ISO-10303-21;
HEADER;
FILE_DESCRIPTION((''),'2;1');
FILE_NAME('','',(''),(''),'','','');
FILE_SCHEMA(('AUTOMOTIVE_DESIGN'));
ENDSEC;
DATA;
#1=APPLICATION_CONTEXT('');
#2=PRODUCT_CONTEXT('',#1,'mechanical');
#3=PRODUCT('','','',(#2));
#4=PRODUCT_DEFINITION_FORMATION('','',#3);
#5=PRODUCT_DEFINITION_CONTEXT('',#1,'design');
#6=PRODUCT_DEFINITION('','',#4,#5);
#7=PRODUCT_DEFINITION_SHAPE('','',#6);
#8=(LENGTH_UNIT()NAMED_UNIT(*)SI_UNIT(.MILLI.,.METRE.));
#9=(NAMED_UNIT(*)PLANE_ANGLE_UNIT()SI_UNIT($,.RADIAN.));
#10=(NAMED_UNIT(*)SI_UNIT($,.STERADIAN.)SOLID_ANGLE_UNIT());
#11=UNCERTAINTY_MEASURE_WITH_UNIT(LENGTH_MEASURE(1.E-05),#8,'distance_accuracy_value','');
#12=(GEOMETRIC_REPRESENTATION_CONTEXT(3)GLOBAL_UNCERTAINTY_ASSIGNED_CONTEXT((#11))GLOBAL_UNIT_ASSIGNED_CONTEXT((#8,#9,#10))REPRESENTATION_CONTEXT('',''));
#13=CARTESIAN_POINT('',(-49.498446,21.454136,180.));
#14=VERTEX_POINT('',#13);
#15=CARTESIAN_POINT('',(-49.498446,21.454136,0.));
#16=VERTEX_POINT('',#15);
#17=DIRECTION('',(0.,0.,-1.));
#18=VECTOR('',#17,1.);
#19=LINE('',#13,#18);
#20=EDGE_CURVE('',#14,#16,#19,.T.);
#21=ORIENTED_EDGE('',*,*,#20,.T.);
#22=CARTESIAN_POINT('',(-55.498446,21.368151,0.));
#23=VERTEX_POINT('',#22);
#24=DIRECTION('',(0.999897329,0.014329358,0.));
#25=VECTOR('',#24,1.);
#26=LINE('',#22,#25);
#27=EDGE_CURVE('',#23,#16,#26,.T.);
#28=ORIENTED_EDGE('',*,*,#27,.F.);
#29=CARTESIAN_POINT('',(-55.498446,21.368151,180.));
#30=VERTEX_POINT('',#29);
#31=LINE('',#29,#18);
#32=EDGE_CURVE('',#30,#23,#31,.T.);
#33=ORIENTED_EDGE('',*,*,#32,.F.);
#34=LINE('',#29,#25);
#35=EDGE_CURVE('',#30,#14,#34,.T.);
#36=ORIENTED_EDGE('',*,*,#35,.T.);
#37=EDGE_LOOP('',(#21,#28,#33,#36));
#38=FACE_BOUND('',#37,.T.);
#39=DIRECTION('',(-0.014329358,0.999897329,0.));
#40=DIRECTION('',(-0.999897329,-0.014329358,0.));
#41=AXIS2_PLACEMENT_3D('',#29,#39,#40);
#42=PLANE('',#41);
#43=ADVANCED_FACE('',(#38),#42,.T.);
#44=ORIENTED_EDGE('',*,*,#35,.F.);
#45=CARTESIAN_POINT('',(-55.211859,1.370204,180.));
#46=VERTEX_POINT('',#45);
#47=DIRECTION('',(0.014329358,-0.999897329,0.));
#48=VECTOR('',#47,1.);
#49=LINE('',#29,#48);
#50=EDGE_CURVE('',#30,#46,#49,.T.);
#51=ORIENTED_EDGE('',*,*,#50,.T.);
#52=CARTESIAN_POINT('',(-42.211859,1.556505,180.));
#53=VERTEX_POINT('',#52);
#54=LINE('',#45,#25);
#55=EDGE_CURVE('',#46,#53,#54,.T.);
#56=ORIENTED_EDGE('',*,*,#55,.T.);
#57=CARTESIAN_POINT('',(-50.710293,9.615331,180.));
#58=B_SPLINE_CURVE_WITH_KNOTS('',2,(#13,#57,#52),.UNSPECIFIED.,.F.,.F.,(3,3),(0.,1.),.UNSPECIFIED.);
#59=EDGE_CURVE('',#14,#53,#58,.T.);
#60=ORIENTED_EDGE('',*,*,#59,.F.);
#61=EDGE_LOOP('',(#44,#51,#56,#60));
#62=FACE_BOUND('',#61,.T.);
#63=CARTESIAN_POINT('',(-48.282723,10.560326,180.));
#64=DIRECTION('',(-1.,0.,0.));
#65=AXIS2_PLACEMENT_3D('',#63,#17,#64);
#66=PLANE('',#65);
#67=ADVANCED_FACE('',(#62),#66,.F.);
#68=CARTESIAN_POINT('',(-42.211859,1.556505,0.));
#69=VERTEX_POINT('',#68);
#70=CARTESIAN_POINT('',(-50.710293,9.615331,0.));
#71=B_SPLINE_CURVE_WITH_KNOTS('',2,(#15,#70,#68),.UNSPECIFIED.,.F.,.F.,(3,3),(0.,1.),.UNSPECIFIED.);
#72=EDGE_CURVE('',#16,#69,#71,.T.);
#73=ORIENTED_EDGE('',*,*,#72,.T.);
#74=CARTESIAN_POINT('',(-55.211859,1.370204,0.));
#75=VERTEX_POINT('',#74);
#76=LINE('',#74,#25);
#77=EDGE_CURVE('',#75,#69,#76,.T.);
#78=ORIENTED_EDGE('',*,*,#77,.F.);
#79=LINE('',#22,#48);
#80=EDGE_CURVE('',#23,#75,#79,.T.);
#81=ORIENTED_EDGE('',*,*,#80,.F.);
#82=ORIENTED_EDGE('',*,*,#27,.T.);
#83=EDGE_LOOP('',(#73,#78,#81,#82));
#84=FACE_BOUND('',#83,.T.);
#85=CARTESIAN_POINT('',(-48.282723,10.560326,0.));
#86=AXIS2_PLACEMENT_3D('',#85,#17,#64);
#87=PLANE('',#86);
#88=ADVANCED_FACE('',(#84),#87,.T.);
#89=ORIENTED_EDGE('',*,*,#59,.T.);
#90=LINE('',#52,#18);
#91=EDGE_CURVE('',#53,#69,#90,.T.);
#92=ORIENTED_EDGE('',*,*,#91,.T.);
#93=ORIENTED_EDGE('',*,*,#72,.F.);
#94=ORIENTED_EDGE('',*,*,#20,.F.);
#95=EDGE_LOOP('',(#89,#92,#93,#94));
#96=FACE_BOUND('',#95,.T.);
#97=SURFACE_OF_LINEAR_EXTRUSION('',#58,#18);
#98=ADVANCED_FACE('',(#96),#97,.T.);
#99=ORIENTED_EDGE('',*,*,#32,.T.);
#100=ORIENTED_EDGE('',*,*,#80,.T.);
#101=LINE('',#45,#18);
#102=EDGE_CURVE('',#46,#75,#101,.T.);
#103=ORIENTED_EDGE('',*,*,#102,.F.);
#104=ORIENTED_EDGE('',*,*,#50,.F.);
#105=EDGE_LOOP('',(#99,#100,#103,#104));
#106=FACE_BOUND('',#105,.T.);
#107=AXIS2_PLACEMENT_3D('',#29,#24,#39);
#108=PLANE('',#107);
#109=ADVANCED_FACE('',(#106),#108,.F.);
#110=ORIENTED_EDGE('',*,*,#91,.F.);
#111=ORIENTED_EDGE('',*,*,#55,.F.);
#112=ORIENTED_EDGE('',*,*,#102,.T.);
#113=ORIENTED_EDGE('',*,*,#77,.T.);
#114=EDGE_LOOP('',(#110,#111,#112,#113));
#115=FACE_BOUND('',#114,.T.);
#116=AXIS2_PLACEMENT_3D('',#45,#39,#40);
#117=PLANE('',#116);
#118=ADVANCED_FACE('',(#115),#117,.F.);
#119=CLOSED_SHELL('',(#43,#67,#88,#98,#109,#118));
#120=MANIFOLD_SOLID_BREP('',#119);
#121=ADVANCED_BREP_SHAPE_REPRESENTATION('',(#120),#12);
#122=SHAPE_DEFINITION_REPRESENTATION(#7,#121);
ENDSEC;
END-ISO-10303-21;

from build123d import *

# Parameters (mm, degrees)
BOSS_EXTRU_1_DEPTH = 180


with BuildPart() as part:
    # Esquisse1 → Boss.-Extru.1 (new body)
    with BuildSketch(Plane.XY):
        with BuildLine():
            Line((-55.498446445, 21.36815076), (-49.498446445, 21.454135734))
            add(Edge.make_bspline(
                [(-49.498446445, 21.454135734), (-50.710292973, 9.615331402), (-42.211859293, 1.556504946)],
                knots=[0, 0, 0, 1, 1, 1], degree=2))
            Line((-42.211859293, 1.556504946), (-55.211859293, 1.37020417))
            Line((-55.211859293, 1.37020417), (-55.498446445, 21.36815076))
        make_face()
    extrude(amount=BOSS_EXTRU_1_DEPTH)


solid = part.part
